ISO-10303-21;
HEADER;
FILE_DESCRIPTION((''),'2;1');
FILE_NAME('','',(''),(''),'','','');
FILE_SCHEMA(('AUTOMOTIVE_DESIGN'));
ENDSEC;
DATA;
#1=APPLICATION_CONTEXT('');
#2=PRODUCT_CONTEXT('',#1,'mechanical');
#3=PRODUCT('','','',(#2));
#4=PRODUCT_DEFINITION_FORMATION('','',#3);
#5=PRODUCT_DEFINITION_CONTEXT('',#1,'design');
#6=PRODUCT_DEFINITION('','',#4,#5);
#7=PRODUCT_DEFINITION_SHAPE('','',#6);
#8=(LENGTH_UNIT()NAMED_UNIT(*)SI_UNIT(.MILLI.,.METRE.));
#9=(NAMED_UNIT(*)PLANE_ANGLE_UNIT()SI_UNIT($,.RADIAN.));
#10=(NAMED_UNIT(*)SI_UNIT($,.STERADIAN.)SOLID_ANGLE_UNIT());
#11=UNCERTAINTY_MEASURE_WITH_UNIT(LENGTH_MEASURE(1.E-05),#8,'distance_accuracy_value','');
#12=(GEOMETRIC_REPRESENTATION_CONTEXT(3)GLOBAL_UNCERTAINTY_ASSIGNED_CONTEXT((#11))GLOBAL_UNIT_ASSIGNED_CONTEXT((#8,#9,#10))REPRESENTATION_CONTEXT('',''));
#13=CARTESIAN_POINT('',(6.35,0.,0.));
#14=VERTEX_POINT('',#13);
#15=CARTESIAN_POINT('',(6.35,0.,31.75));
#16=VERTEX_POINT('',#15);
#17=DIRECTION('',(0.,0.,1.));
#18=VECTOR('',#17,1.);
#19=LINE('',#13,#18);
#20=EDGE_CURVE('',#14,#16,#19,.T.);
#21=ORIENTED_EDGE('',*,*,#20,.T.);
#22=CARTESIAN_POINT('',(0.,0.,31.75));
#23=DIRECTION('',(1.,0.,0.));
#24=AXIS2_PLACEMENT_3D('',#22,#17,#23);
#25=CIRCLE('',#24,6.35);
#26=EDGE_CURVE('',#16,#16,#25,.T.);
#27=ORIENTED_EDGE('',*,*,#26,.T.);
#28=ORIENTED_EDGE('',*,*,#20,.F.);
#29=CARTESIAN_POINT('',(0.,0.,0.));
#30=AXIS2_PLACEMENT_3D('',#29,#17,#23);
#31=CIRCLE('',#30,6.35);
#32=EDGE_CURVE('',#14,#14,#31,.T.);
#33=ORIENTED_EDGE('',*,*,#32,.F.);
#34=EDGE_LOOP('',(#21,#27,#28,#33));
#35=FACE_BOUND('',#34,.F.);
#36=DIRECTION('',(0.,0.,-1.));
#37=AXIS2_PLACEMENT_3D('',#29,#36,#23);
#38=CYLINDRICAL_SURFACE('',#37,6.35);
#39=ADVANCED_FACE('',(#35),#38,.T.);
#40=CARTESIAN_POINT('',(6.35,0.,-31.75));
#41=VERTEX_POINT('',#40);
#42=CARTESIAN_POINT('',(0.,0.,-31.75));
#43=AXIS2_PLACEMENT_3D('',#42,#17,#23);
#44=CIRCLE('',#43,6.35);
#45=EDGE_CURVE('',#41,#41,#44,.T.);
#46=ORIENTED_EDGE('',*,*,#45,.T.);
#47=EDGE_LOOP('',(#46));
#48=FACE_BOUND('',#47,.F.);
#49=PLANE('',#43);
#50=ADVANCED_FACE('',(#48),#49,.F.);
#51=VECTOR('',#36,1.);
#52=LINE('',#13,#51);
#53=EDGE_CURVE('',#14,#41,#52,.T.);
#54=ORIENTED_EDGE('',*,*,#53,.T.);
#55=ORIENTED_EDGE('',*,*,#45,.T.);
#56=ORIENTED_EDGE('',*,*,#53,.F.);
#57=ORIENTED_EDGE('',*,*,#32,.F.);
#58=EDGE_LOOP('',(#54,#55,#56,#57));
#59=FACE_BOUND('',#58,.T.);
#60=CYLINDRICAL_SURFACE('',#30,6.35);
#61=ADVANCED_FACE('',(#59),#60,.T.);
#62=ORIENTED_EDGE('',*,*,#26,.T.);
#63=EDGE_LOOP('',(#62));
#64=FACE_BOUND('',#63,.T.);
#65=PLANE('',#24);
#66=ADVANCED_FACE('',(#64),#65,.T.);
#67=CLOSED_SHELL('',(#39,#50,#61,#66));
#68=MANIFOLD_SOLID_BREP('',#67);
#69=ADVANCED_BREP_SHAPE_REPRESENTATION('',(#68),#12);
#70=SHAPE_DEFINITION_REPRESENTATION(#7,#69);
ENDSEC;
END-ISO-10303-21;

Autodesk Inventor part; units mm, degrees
ref_plane "YZ Plane" through (0, 0, 0) normal (1, 0, 0) x (0, 1, 0)
ref_plane "XZ Plane" through (0, 0, 0) normal (0, 1, 0) x (-1, 0, 0)
ref_plane "XY Plane" through (0, 0, 0) normal (0, 0, 1) x (1, 0, 0)
sketch "Sketch1" plane through (0, 0, 0) normal (0, 0, 1) x (1, 0, 0)
  circle A0 centre (0, 0) radius 6.35
  dimension "d0" = 12.7
extrude "Extrusion1" add sketch "Sketch1" along normal mid plane 63.5
properties part number "MAIN_PIVOT_DOWEL_TREBUCHET" material "Wood (Birch)"
